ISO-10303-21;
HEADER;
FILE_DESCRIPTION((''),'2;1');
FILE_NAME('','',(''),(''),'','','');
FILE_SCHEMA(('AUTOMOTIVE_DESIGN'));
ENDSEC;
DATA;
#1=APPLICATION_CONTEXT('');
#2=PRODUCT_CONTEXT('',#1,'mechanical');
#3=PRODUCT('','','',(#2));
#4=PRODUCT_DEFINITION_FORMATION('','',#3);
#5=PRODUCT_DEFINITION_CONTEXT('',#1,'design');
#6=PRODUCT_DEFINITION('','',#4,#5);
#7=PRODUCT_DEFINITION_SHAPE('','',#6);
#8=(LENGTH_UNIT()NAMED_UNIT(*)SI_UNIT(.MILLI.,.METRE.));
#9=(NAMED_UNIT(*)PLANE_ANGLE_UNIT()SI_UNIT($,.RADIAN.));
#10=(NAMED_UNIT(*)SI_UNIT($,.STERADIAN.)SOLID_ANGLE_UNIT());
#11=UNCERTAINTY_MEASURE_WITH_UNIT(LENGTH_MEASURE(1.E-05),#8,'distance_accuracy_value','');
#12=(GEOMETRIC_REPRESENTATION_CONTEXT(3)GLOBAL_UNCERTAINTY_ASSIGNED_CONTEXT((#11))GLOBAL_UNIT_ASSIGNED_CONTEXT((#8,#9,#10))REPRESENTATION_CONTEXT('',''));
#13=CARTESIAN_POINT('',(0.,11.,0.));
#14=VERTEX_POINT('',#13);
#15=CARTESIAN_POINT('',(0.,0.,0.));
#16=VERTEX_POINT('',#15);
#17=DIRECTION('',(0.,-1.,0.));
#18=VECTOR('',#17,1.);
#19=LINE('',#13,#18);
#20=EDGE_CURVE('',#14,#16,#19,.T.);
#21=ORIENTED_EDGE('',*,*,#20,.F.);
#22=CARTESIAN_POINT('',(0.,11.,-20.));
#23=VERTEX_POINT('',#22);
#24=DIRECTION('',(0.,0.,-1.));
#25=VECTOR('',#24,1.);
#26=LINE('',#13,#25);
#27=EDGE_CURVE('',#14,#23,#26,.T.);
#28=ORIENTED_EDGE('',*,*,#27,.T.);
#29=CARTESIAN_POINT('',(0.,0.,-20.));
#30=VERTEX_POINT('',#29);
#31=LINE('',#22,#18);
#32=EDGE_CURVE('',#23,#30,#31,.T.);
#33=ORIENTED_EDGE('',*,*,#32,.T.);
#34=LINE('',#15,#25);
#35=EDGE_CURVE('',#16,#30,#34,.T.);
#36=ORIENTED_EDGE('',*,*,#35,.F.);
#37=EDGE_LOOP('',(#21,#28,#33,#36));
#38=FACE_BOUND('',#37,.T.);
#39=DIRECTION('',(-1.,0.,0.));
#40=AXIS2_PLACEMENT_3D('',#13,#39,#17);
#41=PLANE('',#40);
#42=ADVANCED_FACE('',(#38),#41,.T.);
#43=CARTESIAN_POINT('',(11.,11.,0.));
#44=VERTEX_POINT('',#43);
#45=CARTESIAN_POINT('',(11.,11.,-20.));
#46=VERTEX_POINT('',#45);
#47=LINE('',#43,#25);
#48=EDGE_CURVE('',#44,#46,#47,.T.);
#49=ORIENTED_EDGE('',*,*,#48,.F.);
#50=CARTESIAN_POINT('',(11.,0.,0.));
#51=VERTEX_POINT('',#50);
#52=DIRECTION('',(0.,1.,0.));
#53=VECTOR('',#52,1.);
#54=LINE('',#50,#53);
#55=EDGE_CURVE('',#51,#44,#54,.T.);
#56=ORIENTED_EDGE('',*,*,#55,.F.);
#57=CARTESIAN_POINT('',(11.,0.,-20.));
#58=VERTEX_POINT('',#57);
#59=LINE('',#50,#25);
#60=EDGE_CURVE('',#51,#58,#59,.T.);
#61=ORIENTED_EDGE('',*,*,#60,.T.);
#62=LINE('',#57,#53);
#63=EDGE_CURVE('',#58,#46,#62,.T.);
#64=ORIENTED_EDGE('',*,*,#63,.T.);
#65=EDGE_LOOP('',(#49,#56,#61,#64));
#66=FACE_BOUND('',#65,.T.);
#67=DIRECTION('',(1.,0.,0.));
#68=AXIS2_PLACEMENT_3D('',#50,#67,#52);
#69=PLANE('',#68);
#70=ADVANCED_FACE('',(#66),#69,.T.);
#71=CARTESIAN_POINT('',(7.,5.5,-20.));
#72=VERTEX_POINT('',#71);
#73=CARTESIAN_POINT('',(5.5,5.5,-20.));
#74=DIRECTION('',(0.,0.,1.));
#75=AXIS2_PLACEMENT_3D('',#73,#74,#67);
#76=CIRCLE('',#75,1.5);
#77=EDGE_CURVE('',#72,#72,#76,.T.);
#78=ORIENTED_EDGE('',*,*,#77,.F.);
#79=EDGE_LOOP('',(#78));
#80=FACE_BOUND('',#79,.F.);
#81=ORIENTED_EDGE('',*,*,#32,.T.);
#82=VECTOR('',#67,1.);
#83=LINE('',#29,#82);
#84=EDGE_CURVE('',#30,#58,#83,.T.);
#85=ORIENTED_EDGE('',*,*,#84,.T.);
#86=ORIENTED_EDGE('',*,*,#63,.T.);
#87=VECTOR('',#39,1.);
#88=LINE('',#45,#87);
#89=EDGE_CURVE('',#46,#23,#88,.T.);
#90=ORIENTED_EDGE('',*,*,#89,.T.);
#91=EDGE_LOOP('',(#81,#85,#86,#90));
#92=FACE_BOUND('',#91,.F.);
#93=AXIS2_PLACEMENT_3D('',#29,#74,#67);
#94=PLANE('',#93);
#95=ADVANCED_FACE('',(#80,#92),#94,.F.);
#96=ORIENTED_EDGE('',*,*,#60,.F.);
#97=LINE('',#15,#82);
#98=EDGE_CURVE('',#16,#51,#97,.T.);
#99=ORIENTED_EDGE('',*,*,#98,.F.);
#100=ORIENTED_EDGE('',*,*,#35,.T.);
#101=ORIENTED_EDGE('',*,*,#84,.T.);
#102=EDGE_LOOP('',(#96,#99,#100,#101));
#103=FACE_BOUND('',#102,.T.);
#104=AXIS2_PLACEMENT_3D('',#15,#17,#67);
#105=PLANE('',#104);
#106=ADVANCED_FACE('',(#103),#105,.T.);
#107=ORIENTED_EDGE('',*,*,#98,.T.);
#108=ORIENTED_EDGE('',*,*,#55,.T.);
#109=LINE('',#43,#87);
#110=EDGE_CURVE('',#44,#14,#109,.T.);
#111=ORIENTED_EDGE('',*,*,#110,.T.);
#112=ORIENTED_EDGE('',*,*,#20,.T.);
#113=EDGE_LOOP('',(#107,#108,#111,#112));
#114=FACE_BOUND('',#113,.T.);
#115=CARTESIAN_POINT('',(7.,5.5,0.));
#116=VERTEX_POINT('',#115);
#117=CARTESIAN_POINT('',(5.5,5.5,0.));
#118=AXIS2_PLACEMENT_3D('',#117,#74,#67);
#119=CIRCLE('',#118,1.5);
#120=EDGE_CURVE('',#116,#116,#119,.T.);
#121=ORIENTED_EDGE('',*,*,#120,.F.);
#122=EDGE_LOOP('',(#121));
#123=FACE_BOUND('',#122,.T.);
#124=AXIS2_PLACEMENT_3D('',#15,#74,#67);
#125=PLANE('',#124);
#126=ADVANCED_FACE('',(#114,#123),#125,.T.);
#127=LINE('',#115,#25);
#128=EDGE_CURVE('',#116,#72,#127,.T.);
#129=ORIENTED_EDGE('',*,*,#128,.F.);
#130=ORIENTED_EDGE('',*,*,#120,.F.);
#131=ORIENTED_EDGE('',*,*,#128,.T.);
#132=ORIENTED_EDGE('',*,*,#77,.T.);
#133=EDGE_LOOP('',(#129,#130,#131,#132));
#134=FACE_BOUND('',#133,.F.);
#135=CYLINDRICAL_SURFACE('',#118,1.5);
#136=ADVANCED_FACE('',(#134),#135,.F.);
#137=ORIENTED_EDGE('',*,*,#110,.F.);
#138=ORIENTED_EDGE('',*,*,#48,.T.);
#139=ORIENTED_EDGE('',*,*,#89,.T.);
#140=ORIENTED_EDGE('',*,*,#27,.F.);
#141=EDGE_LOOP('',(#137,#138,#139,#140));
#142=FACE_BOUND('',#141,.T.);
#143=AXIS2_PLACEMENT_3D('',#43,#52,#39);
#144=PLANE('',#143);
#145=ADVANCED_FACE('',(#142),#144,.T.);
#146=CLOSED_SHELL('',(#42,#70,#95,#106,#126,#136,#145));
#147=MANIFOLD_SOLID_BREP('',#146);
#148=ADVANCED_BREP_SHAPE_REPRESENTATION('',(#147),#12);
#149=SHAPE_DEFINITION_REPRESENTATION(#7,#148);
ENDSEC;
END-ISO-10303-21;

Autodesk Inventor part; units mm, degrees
ref_plane "YZ Plane" through (0, 0, 0) normal (1, 0, 0) x (0, 1, 0)
ref_plane "XZ Plane" through (0, 0, 0) normal (0, 1, 0) x (-1, 0, 0)
ref_plane "XY Plane" through (0, 0, 0) normal (0, 0, 1) x (1, 0, 0)
sketch "Sketch1" plane through (0, 0, 0) normal (0, 0, 1) x (1, 0, 0)
  line L0 (0, 0) -> (11, 0)
  line L1 (11, 0) -> (11, 11)
  line L2 (11, 11) -> (0, 11)
  line L3 (0, 11) -> (0, 0)
  circle A0 centre (5.5, 5.5) radius 1.5
  dimension "d0" = 11
  dimension "d1" = 11
  dimension "d2" = 3
extrude "Extrusion1" add sketch "Sketch1" against normal blind 20
properties part number "Aluminium-Connector_Lengan panjangk"
